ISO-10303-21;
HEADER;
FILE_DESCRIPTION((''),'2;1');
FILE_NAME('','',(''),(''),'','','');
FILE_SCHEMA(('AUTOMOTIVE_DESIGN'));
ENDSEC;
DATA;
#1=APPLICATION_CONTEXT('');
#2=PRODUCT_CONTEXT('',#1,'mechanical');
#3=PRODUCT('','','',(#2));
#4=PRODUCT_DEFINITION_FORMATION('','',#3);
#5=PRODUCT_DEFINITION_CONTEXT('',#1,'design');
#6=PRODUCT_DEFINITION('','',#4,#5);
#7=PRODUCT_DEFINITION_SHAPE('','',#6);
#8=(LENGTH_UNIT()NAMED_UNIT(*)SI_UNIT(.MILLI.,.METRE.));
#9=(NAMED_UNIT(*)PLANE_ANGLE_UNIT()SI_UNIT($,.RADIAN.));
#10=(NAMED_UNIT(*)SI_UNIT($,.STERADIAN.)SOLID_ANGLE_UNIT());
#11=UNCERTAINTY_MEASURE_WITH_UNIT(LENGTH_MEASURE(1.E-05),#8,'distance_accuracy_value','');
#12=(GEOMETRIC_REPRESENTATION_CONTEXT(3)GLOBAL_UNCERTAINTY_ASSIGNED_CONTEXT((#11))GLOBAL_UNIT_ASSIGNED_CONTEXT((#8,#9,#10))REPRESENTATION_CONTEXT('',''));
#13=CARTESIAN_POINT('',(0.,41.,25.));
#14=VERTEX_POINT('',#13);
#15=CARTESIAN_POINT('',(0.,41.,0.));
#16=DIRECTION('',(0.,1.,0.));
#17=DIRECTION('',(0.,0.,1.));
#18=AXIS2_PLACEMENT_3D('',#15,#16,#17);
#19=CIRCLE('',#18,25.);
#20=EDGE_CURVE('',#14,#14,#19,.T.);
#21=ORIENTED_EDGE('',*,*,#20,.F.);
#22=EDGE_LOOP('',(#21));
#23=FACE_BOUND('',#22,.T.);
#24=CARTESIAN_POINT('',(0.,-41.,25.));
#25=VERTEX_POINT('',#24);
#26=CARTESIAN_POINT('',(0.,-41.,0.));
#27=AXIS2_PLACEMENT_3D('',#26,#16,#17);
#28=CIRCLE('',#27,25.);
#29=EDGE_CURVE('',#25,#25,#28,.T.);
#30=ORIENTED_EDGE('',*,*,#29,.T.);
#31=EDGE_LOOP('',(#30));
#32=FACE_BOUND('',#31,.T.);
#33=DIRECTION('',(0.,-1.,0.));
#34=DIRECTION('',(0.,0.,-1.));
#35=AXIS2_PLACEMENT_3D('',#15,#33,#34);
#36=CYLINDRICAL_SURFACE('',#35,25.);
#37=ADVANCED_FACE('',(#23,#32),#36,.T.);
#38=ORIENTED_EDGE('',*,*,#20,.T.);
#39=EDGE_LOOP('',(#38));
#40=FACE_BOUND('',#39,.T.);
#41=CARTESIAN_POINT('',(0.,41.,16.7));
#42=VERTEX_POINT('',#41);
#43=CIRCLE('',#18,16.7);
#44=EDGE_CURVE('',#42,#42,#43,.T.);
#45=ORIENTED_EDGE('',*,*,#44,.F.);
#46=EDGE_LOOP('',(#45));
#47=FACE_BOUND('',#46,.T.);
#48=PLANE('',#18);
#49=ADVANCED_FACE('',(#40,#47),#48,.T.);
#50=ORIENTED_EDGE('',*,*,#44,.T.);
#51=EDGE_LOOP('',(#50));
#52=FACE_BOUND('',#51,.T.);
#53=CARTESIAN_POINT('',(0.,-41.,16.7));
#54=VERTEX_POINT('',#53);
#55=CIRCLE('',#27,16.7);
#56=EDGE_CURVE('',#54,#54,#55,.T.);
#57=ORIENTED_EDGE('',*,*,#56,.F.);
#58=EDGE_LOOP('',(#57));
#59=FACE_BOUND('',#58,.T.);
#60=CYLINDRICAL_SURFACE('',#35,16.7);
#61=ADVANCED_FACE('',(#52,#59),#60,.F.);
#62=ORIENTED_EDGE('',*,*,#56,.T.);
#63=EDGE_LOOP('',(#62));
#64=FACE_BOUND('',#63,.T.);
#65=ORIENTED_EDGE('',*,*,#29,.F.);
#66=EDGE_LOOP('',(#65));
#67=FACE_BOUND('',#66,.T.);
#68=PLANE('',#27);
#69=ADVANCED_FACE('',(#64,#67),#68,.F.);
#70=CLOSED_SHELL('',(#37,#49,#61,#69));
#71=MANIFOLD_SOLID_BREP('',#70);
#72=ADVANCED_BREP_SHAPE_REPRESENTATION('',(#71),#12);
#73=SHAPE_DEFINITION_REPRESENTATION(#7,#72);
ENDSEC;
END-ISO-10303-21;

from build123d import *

# Parameters (mm, degrees)
SKETCH1_R           = 25
SKETCH1_R_2         = 16.7
BOSS_EXTRUDE1_DEPTH = 41


with BuildPart() as part:
    # Sketch1 → Boss-Extrude1 (new body, symmetric)
    with BuildSketch(Plane(origin=(0, 0, 0), x_dir=(1, 0, 0), z_dir=(0, 1, 0))):
        Circle(SKETCH1_R)
        Circle(SKETCH1_R_2, mode=Mode.SUBTRACT)
    extrude(amount=BOSS_EXTRUDE1_DEPTH, both=True)


solid = part.part
